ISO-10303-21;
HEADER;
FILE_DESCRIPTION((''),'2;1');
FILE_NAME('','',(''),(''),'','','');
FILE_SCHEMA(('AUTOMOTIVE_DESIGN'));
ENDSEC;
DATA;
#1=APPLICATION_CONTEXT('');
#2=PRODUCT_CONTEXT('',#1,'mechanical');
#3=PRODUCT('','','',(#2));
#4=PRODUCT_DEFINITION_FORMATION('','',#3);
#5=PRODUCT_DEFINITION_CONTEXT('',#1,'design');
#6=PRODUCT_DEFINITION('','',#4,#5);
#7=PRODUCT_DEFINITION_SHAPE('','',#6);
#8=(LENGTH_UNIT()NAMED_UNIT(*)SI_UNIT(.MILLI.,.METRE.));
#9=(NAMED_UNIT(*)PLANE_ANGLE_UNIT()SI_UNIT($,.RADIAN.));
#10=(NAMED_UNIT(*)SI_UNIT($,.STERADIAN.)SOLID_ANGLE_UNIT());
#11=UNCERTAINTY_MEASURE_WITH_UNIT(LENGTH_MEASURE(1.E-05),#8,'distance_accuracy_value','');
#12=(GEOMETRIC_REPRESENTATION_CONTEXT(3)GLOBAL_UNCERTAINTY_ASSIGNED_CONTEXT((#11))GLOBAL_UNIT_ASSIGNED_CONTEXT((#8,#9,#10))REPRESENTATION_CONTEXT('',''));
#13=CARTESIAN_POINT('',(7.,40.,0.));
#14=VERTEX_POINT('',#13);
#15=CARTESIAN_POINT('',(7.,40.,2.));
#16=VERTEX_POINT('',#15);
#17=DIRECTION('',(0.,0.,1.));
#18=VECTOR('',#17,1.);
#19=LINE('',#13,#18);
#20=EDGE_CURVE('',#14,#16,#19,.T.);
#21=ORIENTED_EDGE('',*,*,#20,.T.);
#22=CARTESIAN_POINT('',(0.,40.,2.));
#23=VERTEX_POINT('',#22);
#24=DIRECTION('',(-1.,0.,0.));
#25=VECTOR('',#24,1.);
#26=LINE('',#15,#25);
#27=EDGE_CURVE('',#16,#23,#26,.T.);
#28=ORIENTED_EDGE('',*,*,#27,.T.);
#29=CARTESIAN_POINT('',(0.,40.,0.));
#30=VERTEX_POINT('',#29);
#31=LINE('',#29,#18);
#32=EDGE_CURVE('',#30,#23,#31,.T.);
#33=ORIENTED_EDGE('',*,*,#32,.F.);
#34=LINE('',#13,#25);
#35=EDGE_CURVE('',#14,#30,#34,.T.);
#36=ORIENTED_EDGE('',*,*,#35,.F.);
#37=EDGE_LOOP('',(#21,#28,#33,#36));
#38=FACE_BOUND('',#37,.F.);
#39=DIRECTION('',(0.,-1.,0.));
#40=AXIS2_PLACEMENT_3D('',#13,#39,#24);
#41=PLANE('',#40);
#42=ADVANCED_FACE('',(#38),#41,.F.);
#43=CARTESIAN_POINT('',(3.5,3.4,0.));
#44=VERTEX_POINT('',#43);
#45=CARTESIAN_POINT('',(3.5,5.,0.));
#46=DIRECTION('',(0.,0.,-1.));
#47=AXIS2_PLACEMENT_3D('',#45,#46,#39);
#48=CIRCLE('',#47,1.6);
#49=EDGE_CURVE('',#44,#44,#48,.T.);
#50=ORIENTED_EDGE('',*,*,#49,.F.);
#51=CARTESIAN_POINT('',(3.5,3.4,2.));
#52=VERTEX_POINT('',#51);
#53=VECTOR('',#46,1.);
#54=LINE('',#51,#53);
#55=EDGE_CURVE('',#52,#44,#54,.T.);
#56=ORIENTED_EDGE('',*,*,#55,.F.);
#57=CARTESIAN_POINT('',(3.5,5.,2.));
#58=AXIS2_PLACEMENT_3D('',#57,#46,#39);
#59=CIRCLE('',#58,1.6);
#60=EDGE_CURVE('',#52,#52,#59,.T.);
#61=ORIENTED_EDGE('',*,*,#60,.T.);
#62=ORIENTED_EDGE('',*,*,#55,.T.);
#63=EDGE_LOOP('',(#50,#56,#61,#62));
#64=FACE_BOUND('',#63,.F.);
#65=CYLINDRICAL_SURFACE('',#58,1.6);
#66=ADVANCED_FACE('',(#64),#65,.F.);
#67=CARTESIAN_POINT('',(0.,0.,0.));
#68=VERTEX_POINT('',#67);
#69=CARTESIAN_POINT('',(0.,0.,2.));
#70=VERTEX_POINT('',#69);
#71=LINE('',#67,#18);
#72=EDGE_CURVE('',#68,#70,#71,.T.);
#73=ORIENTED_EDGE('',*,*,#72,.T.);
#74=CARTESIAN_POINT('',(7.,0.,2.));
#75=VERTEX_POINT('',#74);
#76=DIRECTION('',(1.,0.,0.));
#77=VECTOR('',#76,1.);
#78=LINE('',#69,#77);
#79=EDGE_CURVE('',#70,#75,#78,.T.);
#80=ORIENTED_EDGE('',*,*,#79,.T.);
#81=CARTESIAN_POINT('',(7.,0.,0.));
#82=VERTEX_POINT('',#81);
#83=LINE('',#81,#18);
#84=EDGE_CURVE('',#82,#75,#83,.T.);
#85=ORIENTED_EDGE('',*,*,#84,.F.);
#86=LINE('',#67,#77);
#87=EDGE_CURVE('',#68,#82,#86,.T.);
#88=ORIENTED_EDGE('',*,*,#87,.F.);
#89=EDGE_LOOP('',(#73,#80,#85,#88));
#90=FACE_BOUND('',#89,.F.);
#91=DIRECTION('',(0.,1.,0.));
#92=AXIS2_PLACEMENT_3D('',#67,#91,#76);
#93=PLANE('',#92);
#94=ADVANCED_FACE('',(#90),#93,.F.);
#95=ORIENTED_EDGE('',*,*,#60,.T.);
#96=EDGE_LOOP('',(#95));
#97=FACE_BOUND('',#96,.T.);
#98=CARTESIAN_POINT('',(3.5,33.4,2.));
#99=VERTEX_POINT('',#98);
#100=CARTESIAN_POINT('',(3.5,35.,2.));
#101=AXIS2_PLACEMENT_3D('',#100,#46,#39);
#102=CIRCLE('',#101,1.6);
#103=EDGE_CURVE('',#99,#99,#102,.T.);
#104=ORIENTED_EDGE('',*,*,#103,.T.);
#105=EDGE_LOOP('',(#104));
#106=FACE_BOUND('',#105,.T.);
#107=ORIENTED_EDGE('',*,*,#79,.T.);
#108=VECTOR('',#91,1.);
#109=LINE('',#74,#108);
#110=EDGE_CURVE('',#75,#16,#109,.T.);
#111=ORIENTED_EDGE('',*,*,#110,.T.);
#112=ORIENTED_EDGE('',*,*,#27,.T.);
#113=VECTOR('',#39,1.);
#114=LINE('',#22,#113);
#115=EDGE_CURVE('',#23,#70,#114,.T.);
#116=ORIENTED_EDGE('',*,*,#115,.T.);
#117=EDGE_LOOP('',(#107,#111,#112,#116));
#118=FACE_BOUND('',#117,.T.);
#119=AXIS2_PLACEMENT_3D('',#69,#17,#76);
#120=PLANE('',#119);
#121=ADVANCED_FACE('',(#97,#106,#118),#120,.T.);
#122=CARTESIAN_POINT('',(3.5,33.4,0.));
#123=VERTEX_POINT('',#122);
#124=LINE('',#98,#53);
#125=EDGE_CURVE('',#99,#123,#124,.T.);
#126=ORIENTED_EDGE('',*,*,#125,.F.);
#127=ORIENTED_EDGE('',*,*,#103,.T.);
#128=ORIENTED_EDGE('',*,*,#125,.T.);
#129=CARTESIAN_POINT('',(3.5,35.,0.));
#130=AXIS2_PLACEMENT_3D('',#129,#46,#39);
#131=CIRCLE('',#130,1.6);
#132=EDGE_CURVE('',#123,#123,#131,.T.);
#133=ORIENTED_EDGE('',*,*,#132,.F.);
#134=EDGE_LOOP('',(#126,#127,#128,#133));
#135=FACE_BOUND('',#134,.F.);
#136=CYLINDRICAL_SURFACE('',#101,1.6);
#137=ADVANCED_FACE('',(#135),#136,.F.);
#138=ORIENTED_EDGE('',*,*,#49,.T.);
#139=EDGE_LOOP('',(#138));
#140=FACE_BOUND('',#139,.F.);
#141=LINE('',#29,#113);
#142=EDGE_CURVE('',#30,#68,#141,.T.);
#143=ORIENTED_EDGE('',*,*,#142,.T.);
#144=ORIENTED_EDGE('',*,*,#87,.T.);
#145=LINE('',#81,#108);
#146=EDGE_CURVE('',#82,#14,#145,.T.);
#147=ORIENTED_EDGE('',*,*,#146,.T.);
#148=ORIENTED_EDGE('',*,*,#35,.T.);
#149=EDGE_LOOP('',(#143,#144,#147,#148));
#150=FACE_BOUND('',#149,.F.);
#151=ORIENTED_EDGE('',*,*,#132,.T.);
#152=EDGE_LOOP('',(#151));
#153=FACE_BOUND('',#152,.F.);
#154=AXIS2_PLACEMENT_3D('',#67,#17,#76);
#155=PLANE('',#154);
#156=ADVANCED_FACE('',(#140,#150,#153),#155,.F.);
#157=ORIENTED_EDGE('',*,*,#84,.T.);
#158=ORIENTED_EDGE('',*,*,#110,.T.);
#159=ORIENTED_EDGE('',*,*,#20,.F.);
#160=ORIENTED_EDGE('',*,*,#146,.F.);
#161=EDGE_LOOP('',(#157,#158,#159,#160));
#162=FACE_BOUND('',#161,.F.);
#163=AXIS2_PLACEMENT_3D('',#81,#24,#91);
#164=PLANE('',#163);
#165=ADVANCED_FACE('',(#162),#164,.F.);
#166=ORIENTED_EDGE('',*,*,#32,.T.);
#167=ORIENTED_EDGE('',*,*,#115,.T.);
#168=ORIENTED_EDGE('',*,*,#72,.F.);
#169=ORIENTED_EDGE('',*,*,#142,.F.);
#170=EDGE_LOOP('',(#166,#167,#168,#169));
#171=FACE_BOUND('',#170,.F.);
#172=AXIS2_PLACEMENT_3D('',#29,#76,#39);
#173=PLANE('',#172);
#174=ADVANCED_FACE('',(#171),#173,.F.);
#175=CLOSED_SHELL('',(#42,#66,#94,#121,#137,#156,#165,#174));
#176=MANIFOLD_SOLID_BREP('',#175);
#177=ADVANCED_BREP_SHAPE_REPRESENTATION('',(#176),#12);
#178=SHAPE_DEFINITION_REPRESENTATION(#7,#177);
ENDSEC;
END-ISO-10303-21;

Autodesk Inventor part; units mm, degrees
ref_plane "YZ Plane" through (0, 0, 0) normal (1, 0, 0) x (0, 1, 0)
ref_plane "XZ Plane" through (0, 0, 0) normal (0, 1, 0) x (-1, 0, 0)
ref_plane "XY Plane" through (0, 0, 0) normal (0, 0, 1) x (1, 0, 0)
sketch "スケッチ1" plane through (0, 0, 0) normal (0, 0, 1) x (1, 0, 0)
  line L0 (0, 0) -> (7, 0)
  line L1 (7, 0) -> (7, 40)
  line L2 (7, 40) -> (0, 40)
  line L3 (0, 40) -> (0, 0)
  dimension "d0" = 7
  dimension "d1" = 40
extrude "押し出し1" add sketch "スケッチ1" along normal blind 2
sketch "スケッチ2" plane through (0, 0, 2) normal (0, 0, 1) x (1, 0, 0)
  line L0 (7, 0) -> (7, 40) projected
  line L1 (7, 40) -> (0, 40) projected
  line L2 (0, 0) -> (7, 0) projected
  point P0 (3.5, 35)
  point P1 (3.5, 5)
  dimension "d4" = 3.5
  dimension "d5" = 5
  dimension "d6" = 3.5
  dimension "d7" = 5
hole "穴1" at (3.5, 35, 2) at (3.5, 5, 2) direction (0, 0, -1) diameter 3.2 end through all
sketch "スケッチ3" plane through (0, 0, 2) normal (0, 0, 1) x (1, 0, 0)
  point P0 (0, 0)
properties part number "リンク"
